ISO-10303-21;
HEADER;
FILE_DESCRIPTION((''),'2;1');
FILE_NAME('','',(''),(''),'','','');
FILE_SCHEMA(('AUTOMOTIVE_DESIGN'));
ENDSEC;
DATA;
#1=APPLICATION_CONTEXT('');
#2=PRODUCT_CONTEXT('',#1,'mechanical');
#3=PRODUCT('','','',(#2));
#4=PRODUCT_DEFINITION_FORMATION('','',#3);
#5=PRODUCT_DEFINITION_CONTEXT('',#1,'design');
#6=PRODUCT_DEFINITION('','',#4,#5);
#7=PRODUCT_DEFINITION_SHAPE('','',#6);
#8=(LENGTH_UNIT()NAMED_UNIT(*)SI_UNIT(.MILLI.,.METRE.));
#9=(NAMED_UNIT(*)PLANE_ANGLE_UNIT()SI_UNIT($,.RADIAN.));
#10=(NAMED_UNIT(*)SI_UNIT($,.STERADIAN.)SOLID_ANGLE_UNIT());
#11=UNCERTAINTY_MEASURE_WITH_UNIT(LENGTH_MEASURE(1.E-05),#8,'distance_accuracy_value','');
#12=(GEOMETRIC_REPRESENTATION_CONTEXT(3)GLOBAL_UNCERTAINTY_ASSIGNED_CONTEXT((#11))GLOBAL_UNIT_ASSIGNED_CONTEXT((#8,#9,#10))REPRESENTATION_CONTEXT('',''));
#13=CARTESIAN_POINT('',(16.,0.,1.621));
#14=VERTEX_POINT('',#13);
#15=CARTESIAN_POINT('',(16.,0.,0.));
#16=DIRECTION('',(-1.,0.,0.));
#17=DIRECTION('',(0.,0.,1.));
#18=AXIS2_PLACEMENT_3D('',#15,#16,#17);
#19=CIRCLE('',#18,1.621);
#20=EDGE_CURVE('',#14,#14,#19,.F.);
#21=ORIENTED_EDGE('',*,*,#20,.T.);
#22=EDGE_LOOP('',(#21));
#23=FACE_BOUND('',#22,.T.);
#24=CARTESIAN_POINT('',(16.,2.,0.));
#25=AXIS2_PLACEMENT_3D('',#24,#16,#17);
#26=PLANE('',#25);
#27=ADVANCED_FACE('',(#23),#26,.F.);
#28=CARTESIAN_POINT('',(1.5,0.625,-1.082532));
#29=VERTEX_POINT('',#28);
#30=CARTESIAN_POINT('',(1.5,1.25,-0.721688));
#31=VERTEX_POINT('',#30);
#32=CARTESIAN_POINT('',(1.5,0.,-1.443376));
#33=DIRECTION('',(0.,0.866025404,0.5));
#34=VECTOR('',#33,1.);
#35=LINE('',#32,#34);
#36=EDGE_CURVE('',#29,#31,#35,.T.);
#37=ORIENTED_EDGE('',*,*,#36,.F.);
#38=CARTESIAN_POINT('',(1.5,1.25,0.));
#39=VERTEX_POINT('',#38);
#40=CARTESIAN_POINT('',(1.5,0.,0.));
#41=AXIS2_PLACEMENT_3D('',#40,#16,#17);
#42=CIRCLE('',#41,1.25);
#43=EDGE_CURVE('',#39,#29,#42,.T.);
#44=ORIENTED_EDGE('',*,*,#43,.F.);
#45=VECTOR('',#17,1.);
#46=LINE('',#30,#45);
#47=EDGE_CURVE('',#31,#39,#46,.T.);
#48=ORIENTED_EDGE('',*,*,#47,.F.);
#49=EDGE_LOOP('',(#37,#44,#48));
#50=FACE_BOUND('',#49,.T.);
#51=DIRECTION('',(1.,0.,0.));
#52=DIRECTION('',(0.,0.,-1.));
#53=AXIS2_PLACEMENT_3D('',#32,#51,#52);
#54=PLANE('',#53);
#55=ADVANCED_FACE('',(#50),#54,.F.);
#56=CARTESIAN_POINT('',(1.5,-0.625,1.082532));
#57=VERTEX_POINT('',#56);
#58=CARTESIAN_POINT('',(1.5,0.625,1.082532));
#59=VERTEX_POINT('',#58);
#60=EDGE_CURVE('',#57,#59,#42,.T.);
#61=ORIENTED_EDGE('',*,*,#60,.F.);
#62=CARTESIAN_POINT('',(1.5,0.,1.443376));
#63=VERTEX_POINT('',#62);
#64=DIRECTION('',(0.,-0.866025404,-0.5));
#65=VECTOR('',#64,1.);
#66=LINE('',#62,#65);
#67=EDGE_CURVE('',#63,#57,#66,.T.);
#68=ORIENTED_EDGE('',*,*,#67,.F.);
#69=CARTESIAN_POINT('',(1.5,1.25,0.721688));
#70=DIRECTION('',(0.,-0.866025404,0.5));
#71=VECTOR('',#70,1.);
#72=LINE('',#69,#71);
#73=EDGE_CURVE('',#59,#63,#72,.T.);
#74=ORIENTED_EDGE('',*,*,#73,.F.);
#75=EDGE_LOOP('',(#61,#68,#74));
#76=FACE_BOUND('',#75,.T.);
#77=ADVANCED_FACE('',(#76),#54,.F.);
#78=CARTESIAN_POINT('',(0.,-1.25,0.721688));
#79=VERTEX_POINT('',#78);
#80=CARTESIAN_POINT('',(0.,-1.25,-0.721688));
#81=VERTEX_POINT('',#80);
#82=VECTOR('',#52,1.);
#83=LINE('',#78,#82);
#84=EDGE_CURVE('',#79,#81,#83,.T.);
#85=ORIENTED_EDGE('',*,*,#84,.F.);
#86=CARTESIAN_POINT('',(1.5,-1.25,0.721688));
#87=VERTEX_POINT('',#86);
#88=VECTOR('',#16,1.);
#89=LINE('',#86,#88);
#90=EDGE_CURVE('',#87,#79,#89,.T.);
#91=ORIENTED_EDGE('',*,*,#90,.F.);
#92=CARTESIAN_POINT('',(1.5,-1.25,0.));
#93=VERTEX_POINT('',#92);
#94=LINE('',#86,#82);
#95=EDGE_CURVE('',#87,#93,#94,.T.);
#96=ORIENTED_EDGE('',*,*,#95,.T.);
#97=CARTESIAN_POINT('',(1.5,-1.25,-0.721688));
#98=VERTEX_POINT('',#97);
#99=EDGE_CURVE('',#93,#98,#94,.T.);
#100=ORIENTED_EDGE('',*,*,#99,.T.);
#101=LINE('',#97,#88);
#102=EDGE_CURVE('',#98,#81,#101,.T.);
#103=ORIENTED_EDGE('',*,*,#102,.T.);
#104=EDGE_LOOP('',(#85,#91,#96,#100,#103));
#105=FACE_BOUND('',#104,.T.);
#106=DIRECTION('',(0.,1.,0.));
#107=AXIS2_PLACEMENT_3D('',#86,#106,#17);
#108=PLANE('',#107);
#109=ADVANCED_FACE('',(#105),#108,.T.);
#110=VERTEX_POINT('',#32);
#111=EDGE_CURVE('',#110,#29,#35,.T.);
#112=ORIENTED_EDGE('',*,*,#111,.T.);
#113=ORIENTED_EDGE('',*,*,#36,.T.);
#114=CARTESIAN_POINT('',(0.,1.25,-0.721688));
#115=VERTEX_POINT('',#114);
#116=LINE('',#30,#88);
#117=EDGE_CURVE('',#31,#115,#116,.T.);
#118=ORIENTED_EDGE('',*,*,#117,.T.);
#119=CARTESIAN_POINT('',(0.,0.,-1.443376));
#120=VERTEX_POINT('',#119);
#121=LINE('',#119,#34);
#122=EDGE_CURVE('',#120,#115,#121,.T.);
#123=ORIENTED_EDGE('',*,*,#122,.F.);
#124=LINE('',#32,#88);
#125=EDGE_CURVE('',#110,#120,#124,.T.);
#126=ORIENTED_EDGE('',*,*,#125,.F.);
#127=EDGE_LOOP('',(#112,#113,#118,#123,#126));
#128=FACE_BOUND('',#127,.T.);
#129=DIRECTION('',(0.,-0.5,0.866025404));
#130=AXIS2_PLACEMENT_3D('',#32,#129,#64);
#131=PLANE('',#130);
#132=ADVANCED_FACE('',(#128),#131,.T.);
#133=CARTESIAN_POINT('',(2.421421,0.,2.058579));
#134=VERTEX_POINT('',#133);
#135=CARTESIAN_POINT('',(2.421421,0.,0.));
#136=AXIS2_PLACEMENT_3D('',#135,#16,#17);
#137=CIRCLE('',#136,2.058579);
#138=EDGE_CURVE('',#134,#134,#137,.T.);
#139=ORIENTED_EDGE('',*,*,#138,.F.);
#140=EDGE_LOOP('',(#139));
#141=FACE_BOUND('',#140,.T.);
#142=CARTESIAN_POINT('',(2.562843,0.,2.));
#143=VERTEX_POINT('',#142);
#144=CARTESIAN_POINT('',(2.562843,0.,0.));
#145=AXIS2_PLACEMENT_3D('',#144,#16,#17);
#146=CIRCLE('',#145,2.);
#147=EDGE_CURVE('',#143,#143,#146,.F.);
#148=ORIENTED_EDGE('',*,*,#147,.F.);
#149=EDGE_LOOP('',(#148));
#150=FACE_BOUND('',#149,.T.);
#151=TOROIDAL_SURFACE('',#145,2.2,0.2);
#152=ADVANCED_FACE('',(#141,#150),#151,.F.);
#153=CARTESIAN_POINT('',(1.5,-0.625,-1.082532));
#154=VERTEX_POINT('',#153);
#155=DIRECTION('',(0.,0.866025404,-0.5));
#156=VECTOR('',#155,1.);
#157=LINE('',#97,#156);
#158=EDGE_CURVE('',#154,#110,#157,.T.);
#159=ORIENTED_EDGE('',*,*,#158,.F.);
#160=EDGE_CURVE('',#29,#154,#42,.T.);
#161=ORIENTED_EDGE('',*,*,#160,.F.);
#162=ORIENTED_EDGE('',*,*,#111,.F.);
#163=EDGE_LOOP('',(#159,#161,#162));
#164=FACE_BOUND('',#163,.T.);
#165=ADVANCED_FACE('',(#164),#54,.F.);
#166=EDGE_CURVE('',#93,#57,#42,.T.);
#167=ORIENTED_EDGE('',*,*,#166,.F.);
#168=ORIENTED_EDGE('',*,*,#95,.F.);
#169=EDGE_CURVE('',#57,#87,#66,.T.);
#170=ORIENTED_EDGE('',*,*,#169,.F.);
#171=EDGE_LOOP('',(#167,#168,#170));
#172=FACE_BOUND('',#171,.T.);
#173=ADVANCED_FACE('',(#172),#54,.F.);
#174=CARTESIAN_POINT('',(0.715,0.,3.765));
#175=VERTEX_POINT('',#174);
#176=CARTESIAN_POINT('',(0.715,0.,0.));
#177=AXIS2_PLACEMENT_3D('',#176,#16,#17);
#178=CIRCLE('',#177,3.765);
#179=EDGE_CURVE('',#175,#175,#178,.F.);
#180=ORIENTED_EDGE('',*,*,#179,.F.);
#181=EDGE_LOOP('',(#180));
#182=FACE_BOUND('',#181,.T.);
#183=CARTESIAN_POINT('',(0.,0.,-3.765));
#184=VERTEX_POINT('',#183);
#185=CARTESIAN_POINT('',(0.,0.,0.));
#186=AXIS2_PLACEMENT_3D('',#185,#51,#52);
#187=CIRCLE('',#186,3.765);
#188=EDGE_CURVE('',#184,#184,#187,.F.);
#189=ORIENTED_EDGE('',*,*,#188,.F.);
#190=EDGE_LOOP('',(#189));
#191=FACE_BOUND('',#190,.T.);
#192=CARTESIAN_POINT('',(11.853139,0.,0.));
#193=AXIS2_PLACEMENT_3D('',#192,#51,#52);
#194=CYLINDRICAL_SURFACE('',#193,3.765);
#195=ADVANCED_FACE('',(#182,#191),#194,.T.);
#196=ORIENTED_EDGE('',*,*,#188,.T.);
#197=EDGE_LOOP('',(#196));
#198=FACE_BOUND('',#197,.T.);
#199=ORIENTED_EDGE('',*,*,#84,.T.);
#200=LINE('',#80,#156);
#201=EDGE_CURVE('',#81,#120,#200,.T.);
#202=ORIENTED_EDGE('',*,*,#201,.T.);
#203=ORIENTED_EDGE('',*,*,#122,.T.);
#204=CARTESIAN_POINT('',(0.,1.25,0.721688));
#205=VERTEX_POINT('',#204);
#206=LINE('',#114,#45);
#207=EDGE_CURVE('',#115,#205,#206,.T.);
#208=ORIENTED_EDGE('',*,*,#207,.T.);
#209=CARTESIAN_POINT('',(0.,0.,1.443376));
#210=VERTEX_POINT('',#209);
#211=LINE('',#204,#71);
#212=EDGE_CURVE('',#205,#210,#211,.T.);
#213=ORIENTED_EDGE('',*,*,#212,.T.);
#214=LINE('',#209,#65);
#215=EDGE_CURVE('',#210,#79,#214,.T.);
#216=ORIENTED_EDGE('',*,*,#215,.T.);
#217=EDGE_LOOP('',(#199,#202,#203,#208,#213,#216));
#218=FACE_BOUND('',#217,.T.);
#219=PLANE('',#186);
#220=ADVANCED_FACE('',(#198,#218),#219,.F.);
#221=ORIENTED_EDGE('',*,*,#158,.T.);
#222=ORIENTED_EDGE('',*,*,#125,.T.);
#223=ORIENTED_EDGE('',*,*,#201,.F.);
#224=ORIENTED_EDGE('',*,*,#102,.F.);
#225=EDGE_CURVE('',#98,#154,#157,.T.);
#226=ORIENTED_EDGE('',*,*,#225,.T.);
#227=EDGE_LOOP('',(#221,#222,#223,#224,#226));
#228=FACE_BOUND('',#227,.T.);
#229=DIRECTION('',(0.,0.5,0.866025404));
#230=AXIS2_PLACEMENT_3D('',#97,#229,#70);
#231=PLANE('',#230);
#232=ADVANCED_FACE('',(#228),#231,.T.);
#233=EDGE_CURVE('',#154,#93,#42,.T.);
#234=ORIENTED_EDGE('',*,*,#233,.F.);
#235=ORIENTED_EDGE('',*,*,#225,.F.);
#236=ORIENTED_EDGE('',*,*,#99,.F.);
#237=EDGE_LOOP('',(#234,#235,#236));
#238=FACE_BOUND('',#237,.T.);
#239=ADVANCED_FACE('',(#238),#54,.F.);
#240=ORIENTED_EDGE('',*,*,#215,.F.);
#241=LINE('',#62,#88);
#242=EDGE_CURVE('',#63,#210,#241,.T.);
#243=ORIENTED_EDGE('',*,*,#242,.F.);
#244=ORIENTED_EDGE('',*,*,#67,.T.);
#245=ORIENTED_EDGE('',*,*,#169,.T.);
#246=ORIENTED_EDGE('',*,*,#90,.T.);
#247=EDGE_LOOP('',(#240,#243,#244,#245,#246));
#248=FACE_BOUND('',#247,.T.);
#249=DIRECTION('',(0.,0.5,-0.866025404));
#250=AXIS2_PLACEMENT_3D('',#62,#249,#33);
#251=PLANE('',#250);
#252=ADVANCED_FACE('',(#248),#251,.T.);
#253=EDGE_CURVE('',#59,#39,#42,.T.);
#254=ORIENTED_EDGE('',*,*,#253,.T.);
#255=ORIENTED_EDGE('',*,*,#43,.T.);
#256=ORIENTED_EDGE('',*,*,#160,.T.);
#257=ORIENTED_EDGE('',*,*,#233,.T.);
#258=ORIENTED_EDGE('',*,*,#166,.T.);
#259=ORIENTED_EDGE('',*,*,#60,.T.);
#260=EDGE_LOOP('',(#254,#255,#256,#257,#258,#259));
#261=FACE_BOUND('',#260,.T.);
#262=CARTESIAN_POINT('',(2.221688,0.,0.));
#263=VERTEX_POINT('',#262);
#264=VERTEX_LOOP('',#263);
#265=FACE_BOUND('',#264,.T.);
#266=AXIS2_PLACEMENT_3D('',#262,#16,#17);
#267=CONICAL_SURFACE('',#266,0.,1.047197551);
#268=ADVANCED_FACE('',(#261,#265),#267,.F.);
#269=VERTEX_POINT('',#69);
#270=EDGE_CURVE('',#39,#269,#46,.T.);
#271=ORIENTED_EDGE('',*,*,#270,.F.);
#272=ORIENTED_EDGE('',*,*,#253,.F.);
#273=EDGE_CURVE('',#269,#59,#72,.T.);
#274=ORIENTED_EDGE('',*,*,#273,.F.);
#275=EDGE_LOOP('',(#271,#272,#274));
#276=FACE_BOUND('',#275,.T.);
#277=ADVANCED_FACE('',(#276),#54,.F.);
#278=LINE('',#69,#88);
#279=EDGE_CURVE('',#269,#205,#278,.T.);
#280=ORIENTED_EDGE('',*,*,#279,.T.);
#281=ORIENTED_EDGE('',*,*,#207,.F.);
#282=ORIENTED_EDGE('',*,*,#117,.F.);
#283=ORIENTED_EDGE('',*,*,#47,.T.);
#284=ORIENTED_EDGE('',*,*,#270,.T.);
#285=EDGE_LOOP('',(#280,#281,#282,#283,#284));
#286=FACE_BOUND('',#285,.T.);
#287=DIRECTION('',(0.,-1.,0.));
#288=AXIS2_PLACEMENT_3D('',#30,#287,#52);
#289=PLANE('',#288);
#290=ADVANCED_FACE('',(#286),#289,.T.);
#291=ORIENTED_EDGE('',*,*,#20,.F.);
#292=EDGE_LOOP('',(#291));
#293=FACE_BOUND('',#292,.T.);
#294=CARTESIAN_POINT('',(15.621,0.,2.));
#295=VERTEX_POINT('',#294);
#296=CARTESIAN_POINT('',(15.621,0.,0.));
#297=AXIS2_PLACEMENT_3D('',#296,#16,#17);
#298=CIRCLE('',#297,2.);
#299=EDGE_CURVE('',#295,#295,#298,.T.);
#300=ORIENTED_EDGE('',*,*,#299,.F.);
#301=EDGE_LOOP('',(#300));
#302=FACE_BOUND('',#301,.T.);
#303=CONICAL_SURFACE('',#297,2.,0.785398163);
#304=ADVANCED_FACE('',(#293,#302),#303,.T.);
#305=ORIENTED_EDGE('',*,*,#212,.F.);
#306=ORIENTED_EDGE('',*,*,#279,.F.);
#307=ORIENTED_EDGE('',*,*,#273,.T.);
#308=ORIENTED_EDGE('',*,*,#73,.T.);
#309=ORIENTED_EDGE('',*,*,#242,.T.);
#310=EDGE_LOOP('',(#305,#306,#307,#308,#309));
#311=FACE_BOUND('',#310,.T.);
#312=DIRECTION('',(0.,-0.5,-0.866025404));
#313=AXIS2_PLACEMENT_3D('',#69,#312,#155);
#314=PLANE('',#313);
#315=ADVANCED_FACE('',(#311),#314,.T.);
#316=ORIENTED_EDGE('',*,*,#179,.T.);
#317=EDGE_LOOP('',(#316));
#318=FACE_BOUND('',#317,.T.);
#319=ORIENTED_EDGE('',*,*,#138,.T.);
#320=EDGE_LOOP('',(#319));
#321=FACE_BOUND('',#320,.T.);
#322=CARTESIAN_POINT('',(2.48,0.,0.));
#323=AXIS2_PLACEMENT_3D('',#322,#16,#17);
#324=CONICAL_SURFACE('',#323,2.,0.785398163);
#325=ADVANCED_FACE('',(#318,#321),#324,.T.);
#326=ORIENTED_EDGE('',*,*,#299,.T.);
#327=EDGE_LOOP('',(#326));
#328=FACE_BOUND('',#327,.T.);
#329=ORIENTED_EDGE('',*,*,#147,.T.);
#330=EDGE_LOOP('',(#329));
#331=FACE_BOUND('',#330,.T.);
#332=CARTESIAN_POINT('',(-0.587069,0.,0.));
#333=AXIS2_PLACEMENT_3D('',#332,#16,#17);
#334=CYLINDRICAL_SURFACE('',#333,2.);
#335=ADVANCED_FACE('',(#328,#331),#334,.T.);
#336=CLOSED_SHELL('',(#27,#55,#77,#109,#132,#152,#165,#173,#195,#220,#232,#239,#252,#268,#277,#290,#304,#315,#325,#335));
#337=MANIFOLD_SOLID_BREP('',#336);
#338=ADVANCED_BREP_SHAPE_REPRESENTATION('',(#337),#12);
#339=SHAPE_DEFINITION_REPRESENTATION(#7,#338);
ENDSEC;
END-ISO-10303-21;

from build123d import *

# Parameters (mm, degrees)
HEXAGONSOCKET_DEPTH = 1.5
HEADFILLET_R        = 0.2
CHAMFER_2_SIZE      = 0.379
SKETCH4_W           = 5
SKETCH4_H           = 5


with BuildPart() as part:
    # Sketch1 → Base (revolve)
    with BuildSketch(Plane.XY, mode=Mode.PRIVATE) as base_sk:
        Polygon((0, 0), (0, 4.48), (2.48, 2), (16, 2), (16, 0), align=None)
    revolve(base_sk.sketch.rotate(Axis((-0.587069181, 0, 0), (1, 0, 0)), 90), axis=Axis((-0.587069181, 0, 0), (1, 0, 0)))

    # Sketch2 → HexagonSocket (cut)
    with BuildSketch(Plane(origin=(0, 0, 0), x_dir=(0, 0, -1), z_dir=(1, 0, 0))):
        Polygon((1.443375673, 0), (0.721687836, 1.25), (-0.721687836, 1.25), (-1.443375673, 0), (-0.721687836, -1.25), (0.721687836, -1.25), align=None)
    extrude(amount=HEXAGONSOCKET_DEPTH, mode=Mode.SUBTRACT)

    # Sketch3 → Cut-Revolve1 (revolve, cut)
    with BuildSketch(Plane.XY, mode=Mode.PRIVATE) as cut_revolve1_sk:
        Polygon((1.5, 1.25), (2.221687836, 0), (1.5, 0), align=None)
    revolve(cut_revolve1_sk.sketch.rotate(Axis((-0.439109555, 0, 0), (1, 0, 0)), 90), axis=Axis((-0.439109555, 0, 0), (1, 0, 0)), mode=Mode.SUBTRACT)

    # HeadFillet
    headfillet_edges = [part.edges().sort_by_distance(p)[0] for p in [
        (2.48, 0, -2),
    ]]
    fillet(headfillet_edges, radius=HEADFILLET_R)

    # Chamfer 2
    chamfer_2_edges = [part.edges().sort_by_distance(p)[0] for p in [
        (16, 0, -2),
    ]]
    chamfer(chamfer_2_edges, length=CHAMFER_2_SIZE)

    # Sketch4 → Cut-Revolve2 (revolve, cut)
    with BuildSketch(Plane(origin=(0, 0, 0), x_dir=(1, 0, 0), z_dir=(0, 1, 0)), mode=Mode.PRIVATE) as cut_revolve2_sk:
        with Locations((0.5, 6.265)):
            Rectangle(SKETCH4_W, SKETCH4_H)
    revolve(cut_revolve2_sk.sketch.rotate(Axis((11.853138686, 0, 0), (-1, 0, 0)), 180), axis=Axis((11.853138686, 0, 0), (-1, 0, 0)), mode=Mode.SUBTRACT)


solid = part.part
